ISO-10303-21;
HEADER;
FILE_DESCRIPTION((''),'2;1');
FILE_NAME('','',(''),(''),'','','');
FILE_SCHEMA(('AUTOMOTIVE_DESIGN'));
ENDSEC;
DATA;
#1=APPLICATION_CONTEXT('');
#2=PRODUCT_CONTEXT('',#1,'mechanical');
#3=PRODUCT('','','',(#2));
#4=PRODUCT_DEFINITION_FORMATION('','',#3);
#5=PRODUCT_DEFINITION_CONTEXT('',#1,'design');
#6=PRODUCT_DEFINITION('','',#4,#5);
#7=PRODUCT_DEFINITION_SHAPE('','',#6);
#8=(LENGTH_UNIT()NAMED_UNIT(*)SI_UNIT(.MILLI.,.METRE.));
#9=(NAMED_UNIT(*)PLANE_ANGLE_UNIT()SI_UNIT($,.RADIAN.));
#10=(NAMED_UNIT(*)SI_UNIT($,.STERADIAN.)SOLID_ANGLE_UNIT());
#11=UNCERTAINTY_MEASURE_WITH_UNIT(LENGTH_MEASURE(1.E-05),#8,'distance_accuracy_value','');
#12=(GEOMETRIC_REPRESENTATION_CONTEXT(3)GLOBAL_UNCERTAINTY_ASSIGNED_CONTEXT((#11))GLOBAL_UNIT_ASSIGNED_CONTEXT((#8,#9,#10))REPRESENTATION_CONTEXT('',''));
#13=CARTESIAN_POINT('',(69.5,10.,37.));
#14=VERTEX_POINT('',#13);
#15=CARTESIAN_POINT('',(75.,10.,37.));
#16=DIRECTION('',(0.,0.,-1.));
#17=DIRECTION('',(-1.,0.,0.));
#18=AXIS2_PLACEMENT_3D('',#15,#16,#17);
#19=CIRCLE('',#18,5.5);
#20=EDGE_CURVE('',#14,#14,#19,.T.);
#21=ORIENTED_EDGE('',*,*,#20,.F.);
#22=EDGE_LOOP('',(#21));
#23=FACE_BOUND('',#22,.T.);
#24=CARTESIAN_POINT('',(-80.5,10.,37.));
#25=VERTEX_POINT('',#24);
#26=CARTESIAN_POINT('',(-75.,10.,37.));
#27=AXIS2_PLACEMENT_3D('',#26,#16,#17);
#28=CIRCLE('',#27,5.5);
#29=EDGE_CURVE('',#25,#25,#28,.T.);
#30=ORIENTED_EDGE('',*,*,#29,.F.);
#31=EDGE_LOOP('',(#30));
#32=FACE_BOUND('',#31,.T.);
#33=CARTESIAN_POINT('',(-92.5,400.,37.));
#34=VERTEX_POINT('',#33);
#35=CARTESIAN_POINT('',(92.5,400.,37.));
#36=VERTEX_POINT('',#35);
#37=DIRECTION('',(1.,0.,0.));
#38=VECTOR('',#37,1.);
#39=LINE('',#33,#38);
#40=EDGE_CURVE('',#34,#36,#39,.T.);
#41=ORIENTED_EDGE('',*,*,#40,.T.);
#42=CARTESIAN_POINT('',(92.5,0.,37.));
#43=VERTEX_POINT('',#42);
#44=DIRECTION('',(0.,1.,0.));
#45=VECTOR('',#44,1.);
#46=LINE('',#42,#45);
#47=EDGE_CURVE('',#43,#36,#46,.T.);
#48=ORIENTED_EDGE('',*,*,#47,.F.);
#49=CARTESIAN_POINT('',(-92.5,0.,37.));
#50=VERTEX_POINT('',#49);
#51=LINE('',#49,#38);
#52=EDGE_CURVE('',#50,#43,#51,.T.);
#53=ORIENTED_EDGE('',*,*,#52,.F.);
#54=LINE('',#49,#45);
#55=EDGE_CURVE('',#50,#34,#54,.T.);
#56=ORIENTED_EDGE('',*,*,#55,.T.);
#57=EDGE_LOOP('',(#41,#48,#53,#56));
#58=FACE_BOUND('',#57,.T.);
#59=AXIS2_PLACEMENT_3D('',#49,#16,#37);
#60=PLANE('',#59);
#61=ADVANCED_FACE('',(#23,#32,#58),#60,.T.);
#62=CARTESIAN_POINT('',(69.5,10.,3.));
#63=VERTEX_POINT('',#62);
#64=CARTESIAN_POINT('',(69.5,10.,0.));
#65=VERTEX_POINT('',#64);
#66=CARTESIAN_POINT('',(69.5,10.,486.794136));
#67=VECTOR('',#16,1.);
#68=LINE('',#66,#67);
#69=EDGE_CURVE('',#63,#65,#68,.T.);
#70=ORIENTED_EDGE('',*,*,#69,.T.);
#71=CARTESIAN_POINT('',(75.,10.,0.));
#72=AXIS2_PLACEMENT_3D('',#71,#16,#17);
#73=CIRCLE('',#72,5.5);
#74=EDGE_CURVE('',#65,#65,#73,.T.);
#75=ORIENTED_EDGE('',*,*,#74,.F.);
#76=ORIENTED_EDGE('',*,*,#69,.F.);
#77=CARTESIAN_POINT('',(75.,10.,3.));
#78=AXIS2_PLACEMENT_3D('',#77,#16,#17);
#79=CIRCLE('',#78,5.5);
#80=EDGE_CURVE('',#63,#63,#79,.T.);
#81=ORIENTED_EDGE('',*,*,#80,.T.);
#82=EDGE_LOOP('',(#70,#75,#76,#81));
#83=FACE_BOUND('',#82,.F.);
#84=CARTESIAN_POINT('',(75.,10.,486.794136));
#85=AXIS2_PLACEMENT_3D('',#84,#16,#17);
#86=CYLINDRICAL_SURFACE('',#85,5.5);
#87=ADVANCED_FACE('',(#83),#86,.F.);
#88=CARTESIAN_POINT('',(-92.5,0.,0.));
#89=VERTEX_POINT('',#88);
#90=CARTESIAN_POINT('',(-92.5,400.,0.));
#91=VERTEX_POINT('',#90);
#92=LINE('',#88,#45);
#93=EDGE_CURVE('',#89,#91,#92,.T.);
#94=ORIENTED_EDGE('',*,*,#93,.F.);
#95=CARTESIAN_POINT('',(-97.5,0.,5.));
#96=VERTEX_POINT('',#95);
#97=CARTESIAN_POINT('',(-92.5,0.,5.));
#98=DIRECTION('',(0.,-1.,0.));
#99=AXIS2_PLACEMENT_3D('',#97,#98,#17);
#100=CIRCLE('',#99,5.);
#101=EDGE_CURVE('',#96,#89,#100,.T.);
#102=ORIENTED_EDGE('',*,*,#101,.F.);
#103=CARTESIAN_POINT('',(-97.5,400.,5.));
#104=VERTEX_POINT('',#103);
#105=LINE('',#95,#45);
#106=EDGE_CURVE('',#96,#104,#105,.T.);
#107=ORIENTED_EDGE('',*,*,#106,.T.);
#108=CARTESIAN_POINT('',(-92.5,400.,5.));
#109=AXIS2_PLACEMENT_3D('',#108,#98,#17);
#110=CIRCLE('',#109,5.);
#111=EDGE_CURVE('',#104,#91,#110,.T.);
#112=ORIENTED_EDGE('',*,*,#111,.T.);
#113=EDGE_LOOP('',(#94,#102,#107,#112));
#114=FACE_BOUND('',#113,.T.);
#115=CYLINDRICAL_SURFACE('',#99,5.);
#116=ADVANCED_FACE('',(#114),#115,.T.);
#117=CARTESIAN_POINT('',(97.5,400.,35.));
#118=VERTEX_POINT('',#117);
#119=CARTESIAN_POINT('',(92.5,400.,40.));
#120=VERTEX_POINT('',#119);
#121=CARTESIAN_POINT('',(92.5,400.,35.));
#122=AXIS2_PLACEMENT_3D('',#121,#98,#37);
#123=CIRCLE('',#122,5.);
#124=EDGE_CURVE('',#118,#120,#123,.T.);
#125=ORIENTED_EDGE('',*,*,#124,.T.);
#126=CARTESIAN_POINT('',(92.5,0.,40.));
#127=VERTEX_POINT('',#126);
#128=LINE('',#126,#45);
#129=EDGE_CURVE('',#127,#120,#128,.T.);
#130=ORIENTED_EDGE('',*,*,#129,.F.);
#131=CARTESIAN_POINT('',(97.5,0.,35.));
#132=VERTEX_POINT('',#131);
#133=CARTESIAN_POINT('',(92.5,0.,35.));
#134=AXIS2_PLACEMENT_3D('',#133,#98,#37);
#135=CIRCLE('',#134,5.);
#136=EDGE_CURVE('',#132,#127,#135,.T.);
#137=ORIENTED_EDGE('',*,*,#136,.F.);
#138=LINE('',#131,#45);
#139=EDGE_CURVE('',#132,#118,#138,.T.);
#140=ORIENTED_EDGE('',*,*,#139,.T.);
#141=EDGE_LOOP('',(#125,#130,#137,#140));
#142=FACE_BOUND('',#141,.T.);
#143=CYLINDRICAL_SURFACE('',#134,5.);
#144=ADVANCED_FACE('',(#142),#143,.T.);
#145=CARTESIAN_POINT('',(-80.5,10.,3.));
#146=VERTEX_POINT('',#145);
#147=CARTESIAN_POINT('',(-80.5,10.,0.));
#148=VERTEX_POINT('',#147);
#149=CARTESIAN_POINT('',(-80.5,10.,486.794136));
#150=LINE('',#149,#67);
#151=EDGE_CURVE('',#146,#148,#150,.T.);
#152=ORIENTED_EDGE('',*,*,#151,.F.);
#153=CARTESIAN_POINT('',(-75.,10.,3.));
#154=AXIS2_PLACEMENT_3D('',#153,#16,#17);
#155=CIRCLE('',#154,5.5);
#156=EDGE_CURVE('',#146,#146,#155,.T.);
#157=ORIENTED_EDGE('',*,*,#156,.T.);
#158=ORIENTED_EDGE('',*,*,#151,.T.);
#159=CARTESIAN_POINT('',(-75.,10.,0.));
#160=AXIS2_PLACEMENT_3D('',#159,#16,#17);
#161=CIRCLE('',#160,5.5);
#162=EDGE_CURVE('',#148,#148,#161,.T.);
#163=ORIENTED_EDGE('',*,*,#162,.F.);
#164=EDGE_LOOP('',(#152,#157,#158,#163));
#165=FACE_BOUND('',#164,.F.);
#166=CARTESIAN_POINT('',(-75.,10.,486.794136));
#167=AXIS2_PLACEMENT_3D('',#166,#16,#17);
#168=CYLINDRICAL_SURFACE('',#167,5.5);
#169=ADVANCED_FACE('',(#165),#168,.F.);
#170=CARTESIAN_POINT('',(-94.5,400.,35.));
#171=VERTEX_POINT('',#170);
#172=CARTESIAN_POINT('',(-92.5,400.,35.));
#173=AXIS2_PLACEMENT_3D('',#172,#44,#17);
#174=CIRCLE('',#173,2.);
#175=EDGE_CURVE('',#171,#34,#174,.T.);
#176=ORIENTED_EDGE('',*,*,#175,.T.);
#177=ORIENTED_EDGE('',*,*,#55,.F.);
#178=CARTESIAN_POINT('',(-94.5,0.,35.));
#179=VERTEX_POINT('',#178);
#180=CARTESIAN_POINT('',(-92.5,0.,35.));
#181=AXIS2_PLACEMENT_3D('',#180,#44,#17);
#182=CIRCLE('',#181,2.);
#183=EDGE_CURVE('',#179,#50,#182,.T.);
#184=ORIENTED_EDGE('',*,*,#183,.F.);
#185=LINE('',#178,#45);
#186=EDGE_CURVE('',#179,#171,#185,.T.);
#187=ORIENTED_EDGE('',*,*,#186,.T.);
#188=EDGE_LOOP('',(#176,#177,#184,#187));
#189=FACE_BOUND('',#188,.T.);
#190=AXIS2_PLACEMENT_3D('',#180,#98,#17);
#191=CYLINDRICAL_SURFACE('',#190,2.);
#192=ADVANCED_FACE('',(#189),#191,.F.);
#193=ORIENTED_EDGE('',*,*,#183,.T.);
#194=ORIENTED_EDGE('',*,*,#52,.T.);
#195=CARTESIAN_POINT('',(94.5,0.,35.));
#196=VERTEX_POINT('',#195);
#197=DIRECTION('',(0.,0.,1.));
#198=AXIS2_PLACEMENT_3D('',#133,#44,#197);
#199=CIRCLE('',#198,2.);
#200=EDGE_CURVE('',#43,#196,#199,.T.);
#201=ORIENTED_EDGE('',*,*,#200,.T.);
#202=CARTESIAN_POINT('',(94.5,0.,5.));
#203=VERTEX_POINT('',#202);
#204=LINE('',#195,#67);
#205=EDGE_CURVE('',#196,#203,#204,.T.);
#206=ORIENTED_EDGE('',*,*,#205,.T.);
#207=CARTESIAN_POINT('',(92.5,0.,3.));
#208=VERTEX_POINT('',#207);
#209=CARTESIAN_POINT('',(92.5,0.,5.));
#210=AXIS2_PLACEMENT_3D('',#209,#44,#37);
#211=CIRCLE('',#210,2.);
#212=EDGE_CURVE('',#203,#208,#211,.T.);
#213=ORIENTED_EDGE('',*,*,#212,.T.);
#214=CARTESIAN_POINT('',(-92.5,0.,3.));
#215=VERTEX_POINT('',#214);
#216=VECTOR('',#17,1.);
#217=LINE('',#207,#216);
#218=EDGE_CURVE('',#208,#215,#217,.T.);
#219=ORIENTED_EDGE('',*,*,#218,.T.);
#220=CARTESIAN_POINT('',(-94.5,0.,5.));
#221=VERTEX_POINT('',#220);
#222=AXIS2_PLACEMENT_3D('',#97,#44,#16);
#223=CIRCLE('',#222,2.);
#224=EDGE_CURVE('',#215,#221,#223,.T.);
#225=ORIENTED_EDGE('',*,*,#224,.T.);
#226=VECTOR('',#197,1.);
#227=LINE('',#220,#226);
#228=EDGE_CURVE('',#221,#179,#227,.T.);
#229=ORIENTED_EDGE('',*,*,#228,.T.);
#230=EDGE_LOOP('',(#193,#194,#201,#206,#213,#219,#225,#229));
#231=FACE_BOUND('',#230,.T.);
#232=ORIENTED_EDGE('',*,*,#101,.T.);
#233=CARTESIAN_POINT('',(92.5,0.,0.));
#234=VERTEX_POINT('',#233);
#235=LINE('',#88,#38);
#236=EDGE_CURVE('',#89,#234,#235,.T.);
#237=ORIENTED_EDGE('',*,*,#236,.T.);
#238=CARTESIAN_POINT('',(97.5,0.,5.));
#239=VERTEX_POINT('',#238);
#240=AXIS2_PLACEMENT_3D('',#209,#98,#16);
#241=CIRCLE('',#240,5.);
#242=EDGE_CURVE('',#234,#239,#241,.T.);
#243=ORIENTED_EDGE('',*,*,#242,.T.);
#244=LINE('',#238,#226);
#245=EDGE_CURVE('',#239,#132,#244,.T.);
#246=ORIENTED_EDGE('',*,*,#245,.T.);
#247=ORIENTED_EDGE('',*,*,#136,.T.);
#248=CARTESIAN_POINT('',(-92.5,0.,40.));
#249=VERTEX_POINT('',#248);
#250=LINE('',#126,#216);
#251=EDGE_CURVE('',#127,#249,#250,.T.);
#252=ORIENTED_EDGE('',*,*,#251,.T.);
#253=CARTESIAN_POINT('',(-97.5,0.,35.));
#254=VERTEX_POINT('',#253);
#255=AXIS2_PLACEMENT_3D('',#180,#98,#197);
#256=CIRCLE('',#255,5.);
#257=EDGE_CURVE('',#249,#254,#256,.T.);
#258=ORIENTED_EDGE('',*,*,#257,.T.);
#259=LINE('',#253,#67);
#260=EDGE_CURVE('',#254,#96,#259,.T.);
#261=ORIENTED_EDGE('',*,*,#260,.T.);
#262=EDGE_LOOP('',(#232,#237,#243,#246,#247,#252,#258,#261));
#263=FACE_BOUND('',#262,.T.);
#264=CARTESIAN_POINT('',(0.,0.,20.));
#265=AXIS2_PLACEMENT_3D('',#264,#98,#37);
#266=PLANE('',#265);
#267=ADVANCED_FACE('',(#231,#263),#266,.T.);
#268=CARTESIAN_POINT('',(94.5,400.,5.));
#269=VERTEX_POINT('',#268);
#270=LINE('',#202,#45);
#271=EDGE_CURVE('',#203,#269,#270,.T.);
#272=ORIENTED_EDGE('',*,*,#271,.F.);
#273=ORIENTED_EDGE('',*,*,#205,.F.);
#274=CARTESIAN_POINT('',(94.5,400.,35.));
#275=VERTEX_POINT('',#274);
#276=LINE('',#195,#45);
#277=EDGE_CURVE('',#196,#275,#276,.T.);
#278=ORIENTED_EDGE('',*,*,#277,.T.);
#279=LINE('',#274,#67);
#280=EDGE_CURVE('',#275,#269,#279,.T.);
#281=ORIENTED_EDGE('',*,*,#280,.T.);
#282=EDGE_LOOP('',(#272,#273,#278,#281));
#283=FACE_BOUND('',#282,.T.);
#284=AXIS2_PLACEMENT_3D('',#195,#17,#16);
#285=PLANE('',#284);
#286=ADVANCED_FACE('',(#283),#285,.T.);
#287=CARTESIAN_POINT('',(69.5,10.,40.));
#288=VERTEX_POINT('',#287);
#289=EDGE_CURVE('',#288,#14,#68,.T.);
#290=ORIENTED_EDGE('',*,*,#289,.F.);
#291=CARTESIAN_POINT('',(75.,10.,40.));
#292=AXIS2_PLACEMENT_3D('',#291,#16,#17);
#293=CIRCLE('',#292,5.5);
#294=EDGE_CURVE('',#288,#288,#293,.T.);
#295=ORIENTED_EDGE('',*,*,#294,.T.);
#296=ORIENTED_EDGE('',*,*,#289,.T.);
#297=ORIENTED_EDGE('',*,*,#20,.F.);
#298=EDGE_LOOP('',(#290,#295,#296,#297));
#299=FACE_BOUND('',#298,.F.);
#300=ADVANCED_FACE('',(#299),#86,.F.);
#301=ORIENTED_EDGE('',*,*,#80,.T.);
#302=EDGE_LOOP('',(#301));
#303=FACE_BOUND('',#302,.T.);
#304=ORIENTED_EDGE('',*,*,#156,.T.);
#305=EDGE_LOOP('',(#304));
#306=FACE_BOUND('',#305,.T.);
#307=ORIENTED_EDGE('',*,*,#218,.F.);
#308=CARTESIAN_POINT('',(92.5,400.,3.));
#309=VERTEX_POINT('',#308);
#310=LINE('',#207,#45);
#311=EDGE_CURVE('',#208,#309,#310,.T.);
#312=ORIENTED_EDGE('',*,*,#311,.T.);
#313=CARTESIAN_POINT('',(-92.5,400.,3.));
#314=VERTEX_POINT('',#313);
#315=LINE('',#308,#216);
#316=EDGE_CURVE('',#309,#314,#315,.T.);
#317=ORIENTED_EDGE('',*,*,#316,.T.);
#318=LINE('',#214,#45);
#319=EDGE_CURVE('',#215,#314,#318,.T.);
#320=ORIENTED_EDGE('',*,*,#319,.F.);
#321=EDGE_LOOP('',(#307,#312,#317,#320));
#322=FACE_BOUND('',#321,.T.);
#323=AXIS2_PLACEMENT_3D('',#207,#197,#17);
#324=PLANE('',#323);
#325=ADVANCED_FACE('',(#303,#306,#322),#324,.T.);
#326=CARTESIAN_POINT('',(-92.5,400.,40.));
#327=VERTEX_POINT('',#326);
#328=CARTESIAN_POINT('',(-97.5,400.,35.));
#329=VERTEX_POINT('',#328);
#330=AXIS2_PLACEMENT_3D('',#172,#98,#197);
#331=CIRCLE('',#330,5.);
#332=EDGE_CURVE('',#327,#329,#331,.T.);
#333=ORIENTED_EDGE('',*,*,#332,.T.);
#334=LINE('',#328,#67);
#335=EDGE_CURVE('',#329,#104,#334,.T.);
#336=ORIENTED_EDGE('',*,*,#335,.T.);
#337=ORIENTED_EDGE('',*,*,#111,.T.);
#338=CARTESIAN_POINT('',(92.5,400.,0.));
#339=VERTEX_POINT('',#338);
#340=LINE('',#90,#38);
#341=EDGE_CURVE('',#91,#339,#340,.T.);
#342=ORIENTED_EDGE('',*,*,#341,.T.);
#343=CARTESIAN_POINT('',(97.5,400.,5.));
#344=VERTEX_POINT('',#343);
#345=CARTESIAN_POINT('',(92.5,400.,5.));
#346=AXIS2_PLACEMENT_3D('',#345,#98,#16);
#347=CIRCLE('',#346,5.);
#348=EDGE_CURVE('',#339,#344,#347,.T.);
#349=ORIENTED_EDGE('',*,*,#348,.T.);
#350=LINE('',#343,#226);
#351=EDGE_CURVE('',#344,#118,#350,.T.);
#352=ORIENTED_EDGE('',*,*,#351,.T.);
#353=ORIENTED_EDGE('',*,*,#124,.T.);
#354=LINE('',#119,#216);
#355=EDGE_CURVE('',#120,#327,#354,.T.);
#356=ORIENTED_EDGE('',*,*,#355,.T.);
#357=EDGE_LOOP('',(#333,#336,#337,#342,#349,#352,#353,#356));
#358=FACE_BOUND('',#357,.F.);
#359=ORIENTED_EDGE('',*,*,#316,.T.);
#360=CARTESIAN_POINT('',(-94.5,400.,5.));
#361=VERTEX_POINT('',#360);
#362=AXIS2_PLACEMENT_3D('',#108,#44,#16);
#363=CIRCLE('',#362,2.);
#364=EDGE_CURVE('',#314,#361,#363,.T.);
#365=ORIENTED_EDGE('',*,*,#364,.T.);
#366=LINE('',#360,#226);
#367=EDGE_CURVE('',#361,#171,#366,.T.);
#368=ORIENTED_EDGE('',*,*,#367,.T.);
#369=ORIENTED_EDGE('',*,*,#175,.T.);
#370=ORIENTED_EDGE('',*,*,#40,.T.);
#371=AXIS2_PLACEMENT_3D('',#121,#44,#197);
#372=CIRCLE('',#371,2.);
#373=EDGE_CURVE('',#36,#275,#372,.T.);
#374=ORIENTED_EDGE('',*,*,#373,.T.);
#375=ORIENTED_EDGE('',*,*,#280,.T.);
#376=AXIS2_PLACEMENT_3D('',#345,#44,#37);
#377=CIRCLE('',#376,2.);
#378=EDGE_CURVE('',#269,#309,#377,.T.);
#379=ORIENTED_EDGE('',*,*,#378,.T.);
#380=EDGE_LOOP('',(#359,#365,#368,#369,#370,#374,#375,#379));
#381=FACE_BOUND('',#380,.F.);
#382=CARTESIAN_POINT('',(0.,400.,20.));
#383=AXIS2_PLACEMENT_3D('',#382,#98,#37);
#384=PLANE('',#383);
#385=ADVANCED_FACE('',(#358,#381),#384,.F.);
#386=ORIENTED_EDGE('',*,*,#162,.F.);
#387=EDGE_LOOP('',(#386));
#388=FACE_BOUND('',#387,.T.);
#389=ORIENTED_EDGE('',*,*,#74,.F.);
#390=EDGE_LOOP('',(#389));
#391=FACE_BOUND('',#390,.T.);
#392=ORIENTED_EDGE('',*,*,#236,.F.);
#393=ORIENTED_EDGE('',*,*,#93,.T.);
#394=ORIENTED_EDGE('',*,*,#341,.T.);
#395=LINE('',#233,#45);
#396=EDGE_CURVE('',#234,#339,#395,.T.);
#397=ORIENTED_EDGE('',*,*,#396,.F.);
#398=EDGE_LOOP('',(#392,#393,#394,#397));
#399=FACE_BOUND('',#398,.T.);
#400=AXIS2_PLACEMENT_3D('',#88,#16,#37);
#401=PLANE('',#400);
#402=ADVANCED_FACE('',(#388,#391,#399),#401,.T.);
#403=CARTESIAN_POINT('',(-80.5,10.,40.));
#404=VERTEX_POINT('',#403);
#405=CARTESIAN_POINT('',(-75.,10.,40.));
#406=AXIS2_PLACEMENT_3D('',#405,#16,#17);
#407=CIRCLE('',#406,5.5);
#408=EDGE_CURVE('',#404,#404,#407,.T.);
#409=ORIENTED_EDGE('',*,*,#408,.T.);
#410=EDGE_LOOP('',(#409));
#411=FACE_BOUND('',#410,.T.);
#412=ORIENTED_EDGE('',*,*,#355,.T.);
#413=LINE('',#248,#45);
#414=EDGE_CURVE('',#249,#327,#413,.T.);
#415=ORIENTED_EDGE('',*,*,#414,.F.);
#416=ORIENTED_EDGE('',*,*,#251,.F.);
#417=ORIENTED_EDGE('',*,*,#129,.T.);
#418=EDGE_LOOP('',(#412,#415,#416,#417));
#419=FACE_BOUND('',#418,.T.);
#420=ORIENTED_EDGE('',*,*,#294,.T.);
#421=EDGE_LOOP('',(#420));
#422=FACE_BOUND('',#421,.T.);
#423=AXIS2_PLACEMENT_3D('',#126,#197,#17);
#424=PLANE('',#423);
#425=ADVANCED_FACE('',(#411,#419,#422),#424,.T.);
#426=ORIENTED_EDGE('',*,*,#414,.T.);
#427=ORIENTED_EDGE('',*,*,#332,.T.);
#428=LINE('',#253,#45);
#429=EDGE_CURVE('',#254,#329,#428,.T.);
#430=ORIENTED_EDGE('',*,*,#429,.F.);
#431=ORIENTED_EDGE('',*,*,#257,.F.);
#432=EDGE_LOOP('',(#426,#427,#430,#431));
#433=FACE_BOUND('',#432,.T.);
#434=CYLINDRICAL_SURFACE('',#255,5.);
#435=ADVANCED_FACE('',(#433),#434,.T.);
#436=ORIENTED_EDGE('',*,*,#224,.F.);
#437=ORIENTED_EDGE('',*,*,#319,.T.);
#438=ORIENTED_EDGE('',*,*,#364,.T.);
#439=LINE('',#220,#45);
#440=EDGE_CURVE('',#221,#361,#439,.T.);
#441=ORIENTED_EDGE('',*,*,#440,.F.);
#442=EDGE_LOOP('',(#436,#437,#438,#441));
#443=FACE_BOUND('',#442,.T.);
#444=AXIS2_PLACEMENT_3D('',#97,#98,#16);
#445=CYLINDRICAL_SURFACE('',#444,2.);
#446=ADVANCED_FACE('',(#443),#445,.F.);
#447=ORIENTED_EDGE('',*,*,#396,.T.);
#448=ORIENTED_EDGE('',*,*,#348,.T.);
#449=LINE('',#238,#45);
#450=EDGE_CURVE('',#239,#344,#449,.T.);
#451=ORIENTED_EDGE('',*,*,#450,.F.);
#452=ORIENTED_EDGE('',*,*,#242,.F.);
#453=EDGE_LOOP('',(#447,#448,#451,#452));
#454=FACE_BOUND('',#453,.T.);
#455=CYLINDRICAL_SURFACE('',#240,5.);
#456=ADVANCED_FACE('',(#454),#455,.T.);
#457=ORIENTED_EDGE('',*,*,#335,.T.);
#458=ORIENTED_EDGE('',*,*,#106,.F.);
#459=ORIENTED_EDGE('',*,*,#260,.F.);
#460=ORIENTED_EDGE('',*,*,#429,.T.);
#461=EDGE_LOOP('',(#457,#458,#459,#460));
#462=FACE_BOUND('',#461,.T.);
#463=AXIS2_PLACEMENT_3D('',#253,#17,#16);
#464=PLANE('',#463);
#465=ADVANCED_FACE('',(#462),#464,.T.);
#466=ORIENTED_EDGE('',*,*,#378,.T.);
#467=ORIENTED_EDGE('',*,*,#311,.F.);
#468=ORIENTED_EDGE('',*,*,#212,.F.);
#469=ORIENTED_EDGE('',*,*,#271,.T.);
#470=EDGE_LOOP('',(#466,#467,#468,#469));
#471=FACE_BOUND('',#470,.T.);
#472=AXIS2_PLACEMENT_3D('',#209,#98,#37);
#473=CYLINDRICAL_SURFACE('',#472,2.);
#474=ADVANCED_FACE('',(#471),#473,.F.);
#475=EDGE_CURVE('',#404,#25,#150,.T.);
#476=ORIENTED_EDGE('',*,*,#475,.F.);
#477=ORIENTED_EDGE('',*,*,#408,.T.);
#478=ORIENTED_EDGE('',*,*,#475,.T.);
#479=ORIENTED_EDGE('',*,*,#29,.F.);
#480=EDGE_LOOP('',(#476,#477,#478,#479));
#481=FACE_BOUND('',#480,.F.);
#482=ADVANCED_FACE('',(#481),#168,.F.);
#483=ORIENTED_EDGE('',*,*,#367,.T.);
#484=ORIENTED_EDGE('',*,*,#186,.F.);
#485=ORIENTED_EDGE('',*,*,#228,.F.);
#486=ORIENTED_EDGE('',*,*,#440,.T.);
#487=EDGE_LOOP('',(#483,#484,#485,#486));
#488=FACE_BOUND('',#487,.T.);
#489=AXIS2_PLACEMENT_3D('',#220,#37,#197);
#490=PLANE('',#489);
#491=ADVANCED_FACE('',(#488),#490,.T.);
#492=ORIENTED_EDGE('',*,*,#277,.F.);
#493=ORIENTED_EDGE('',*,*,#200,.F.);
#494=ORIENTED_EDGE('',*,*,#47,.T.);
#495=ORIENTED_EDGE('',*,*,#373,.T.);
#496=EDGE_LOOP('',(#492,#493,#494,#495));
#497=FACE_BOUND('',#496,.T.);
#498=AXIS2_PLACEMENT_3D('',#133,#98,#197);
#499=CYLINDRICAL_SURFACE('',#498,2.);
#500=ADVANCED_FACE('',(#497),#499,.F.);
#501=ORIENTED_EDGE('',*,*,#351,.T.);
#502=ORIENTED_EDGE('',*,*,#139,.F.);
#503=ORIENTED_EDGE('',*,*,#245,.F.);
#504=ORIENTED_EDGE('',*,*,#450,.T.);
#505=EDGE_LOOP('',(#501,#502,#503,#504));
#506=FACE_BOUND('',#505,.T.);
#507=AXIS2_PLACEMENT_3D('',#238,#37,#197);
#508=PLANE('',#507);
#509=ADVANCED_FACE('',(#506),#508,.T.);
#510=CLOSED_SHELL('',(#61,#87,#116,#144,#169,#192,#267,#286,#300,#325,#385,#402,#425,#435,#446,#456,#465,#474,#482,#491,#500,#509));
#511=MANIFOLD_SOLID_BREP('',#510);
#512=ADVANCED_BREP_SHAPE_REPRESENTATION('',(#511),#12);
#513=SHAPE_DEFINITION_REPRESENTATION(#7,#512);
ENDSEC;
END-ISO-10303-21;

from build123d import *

# Parameters (mm, degrees)
F1_DEPTH = 400
F3_D     = 11


with BuildPart() as f1:
    # F0 (on Front) → F1 (new body)
    with BuildSketch(Plane.XZ):
        with BuildLine():
            ThreePointArc((-97.5, 5), (-96.0355339059, 1.4644660941), (-92.5, 0))
            Line((-92.5, 0), (92.5, 0))
            ThreePointArc((92.5, 0), (96.0355339059, 1.4644660941), (97.5, 5))
            Line((97.5, 5), (97.5, 35))
            ThreePointArc((97.5, 35), (96.0355339059, 38.5355339059), (92.5, 40))
            Line((92.5, 40), (-92.5, 40))
            ThreePointArc((-92.5, 40), (-96.0355339059, 38.5355339059), (-97.5, 35))
            Line((-97.5, 35), (-97.5, 5))
        make_face()
        with BuildLine():
            ThreePointArc((-94.5, 35), (-93.9142135624, 36.4142135624), (-92.5, 37))
            Line((-92.5, 37), (92.5, 37))
            ThreePointArc((92.5, 37), (93.9142135624, 36.4142135624), (94.5, 35))
            Line((94.5, 35), (94.5, 5))
            ThreePointArc((94.5, 5), (93.9142135624, 3.5857864376), (92.5, 3))
            Line((92.5, 3), (-92.5, 3))
            ThreePointArc((-92.5, 3), (-93.9142135624, 3.5857864376), (-94.5, 5))
            Line((-94.5, 5), (-94.5, 35))
        make_face(mode=Mode.SUBTRACT)
    extrude(amount=-F1_DEPTH)

    # F3 (through all)
    with Locations(Plane.XY.offset(40)):
        with Locations((-75, 10), (75, 10)):
            Hole(F3_D / 2)


solid = f1.part
